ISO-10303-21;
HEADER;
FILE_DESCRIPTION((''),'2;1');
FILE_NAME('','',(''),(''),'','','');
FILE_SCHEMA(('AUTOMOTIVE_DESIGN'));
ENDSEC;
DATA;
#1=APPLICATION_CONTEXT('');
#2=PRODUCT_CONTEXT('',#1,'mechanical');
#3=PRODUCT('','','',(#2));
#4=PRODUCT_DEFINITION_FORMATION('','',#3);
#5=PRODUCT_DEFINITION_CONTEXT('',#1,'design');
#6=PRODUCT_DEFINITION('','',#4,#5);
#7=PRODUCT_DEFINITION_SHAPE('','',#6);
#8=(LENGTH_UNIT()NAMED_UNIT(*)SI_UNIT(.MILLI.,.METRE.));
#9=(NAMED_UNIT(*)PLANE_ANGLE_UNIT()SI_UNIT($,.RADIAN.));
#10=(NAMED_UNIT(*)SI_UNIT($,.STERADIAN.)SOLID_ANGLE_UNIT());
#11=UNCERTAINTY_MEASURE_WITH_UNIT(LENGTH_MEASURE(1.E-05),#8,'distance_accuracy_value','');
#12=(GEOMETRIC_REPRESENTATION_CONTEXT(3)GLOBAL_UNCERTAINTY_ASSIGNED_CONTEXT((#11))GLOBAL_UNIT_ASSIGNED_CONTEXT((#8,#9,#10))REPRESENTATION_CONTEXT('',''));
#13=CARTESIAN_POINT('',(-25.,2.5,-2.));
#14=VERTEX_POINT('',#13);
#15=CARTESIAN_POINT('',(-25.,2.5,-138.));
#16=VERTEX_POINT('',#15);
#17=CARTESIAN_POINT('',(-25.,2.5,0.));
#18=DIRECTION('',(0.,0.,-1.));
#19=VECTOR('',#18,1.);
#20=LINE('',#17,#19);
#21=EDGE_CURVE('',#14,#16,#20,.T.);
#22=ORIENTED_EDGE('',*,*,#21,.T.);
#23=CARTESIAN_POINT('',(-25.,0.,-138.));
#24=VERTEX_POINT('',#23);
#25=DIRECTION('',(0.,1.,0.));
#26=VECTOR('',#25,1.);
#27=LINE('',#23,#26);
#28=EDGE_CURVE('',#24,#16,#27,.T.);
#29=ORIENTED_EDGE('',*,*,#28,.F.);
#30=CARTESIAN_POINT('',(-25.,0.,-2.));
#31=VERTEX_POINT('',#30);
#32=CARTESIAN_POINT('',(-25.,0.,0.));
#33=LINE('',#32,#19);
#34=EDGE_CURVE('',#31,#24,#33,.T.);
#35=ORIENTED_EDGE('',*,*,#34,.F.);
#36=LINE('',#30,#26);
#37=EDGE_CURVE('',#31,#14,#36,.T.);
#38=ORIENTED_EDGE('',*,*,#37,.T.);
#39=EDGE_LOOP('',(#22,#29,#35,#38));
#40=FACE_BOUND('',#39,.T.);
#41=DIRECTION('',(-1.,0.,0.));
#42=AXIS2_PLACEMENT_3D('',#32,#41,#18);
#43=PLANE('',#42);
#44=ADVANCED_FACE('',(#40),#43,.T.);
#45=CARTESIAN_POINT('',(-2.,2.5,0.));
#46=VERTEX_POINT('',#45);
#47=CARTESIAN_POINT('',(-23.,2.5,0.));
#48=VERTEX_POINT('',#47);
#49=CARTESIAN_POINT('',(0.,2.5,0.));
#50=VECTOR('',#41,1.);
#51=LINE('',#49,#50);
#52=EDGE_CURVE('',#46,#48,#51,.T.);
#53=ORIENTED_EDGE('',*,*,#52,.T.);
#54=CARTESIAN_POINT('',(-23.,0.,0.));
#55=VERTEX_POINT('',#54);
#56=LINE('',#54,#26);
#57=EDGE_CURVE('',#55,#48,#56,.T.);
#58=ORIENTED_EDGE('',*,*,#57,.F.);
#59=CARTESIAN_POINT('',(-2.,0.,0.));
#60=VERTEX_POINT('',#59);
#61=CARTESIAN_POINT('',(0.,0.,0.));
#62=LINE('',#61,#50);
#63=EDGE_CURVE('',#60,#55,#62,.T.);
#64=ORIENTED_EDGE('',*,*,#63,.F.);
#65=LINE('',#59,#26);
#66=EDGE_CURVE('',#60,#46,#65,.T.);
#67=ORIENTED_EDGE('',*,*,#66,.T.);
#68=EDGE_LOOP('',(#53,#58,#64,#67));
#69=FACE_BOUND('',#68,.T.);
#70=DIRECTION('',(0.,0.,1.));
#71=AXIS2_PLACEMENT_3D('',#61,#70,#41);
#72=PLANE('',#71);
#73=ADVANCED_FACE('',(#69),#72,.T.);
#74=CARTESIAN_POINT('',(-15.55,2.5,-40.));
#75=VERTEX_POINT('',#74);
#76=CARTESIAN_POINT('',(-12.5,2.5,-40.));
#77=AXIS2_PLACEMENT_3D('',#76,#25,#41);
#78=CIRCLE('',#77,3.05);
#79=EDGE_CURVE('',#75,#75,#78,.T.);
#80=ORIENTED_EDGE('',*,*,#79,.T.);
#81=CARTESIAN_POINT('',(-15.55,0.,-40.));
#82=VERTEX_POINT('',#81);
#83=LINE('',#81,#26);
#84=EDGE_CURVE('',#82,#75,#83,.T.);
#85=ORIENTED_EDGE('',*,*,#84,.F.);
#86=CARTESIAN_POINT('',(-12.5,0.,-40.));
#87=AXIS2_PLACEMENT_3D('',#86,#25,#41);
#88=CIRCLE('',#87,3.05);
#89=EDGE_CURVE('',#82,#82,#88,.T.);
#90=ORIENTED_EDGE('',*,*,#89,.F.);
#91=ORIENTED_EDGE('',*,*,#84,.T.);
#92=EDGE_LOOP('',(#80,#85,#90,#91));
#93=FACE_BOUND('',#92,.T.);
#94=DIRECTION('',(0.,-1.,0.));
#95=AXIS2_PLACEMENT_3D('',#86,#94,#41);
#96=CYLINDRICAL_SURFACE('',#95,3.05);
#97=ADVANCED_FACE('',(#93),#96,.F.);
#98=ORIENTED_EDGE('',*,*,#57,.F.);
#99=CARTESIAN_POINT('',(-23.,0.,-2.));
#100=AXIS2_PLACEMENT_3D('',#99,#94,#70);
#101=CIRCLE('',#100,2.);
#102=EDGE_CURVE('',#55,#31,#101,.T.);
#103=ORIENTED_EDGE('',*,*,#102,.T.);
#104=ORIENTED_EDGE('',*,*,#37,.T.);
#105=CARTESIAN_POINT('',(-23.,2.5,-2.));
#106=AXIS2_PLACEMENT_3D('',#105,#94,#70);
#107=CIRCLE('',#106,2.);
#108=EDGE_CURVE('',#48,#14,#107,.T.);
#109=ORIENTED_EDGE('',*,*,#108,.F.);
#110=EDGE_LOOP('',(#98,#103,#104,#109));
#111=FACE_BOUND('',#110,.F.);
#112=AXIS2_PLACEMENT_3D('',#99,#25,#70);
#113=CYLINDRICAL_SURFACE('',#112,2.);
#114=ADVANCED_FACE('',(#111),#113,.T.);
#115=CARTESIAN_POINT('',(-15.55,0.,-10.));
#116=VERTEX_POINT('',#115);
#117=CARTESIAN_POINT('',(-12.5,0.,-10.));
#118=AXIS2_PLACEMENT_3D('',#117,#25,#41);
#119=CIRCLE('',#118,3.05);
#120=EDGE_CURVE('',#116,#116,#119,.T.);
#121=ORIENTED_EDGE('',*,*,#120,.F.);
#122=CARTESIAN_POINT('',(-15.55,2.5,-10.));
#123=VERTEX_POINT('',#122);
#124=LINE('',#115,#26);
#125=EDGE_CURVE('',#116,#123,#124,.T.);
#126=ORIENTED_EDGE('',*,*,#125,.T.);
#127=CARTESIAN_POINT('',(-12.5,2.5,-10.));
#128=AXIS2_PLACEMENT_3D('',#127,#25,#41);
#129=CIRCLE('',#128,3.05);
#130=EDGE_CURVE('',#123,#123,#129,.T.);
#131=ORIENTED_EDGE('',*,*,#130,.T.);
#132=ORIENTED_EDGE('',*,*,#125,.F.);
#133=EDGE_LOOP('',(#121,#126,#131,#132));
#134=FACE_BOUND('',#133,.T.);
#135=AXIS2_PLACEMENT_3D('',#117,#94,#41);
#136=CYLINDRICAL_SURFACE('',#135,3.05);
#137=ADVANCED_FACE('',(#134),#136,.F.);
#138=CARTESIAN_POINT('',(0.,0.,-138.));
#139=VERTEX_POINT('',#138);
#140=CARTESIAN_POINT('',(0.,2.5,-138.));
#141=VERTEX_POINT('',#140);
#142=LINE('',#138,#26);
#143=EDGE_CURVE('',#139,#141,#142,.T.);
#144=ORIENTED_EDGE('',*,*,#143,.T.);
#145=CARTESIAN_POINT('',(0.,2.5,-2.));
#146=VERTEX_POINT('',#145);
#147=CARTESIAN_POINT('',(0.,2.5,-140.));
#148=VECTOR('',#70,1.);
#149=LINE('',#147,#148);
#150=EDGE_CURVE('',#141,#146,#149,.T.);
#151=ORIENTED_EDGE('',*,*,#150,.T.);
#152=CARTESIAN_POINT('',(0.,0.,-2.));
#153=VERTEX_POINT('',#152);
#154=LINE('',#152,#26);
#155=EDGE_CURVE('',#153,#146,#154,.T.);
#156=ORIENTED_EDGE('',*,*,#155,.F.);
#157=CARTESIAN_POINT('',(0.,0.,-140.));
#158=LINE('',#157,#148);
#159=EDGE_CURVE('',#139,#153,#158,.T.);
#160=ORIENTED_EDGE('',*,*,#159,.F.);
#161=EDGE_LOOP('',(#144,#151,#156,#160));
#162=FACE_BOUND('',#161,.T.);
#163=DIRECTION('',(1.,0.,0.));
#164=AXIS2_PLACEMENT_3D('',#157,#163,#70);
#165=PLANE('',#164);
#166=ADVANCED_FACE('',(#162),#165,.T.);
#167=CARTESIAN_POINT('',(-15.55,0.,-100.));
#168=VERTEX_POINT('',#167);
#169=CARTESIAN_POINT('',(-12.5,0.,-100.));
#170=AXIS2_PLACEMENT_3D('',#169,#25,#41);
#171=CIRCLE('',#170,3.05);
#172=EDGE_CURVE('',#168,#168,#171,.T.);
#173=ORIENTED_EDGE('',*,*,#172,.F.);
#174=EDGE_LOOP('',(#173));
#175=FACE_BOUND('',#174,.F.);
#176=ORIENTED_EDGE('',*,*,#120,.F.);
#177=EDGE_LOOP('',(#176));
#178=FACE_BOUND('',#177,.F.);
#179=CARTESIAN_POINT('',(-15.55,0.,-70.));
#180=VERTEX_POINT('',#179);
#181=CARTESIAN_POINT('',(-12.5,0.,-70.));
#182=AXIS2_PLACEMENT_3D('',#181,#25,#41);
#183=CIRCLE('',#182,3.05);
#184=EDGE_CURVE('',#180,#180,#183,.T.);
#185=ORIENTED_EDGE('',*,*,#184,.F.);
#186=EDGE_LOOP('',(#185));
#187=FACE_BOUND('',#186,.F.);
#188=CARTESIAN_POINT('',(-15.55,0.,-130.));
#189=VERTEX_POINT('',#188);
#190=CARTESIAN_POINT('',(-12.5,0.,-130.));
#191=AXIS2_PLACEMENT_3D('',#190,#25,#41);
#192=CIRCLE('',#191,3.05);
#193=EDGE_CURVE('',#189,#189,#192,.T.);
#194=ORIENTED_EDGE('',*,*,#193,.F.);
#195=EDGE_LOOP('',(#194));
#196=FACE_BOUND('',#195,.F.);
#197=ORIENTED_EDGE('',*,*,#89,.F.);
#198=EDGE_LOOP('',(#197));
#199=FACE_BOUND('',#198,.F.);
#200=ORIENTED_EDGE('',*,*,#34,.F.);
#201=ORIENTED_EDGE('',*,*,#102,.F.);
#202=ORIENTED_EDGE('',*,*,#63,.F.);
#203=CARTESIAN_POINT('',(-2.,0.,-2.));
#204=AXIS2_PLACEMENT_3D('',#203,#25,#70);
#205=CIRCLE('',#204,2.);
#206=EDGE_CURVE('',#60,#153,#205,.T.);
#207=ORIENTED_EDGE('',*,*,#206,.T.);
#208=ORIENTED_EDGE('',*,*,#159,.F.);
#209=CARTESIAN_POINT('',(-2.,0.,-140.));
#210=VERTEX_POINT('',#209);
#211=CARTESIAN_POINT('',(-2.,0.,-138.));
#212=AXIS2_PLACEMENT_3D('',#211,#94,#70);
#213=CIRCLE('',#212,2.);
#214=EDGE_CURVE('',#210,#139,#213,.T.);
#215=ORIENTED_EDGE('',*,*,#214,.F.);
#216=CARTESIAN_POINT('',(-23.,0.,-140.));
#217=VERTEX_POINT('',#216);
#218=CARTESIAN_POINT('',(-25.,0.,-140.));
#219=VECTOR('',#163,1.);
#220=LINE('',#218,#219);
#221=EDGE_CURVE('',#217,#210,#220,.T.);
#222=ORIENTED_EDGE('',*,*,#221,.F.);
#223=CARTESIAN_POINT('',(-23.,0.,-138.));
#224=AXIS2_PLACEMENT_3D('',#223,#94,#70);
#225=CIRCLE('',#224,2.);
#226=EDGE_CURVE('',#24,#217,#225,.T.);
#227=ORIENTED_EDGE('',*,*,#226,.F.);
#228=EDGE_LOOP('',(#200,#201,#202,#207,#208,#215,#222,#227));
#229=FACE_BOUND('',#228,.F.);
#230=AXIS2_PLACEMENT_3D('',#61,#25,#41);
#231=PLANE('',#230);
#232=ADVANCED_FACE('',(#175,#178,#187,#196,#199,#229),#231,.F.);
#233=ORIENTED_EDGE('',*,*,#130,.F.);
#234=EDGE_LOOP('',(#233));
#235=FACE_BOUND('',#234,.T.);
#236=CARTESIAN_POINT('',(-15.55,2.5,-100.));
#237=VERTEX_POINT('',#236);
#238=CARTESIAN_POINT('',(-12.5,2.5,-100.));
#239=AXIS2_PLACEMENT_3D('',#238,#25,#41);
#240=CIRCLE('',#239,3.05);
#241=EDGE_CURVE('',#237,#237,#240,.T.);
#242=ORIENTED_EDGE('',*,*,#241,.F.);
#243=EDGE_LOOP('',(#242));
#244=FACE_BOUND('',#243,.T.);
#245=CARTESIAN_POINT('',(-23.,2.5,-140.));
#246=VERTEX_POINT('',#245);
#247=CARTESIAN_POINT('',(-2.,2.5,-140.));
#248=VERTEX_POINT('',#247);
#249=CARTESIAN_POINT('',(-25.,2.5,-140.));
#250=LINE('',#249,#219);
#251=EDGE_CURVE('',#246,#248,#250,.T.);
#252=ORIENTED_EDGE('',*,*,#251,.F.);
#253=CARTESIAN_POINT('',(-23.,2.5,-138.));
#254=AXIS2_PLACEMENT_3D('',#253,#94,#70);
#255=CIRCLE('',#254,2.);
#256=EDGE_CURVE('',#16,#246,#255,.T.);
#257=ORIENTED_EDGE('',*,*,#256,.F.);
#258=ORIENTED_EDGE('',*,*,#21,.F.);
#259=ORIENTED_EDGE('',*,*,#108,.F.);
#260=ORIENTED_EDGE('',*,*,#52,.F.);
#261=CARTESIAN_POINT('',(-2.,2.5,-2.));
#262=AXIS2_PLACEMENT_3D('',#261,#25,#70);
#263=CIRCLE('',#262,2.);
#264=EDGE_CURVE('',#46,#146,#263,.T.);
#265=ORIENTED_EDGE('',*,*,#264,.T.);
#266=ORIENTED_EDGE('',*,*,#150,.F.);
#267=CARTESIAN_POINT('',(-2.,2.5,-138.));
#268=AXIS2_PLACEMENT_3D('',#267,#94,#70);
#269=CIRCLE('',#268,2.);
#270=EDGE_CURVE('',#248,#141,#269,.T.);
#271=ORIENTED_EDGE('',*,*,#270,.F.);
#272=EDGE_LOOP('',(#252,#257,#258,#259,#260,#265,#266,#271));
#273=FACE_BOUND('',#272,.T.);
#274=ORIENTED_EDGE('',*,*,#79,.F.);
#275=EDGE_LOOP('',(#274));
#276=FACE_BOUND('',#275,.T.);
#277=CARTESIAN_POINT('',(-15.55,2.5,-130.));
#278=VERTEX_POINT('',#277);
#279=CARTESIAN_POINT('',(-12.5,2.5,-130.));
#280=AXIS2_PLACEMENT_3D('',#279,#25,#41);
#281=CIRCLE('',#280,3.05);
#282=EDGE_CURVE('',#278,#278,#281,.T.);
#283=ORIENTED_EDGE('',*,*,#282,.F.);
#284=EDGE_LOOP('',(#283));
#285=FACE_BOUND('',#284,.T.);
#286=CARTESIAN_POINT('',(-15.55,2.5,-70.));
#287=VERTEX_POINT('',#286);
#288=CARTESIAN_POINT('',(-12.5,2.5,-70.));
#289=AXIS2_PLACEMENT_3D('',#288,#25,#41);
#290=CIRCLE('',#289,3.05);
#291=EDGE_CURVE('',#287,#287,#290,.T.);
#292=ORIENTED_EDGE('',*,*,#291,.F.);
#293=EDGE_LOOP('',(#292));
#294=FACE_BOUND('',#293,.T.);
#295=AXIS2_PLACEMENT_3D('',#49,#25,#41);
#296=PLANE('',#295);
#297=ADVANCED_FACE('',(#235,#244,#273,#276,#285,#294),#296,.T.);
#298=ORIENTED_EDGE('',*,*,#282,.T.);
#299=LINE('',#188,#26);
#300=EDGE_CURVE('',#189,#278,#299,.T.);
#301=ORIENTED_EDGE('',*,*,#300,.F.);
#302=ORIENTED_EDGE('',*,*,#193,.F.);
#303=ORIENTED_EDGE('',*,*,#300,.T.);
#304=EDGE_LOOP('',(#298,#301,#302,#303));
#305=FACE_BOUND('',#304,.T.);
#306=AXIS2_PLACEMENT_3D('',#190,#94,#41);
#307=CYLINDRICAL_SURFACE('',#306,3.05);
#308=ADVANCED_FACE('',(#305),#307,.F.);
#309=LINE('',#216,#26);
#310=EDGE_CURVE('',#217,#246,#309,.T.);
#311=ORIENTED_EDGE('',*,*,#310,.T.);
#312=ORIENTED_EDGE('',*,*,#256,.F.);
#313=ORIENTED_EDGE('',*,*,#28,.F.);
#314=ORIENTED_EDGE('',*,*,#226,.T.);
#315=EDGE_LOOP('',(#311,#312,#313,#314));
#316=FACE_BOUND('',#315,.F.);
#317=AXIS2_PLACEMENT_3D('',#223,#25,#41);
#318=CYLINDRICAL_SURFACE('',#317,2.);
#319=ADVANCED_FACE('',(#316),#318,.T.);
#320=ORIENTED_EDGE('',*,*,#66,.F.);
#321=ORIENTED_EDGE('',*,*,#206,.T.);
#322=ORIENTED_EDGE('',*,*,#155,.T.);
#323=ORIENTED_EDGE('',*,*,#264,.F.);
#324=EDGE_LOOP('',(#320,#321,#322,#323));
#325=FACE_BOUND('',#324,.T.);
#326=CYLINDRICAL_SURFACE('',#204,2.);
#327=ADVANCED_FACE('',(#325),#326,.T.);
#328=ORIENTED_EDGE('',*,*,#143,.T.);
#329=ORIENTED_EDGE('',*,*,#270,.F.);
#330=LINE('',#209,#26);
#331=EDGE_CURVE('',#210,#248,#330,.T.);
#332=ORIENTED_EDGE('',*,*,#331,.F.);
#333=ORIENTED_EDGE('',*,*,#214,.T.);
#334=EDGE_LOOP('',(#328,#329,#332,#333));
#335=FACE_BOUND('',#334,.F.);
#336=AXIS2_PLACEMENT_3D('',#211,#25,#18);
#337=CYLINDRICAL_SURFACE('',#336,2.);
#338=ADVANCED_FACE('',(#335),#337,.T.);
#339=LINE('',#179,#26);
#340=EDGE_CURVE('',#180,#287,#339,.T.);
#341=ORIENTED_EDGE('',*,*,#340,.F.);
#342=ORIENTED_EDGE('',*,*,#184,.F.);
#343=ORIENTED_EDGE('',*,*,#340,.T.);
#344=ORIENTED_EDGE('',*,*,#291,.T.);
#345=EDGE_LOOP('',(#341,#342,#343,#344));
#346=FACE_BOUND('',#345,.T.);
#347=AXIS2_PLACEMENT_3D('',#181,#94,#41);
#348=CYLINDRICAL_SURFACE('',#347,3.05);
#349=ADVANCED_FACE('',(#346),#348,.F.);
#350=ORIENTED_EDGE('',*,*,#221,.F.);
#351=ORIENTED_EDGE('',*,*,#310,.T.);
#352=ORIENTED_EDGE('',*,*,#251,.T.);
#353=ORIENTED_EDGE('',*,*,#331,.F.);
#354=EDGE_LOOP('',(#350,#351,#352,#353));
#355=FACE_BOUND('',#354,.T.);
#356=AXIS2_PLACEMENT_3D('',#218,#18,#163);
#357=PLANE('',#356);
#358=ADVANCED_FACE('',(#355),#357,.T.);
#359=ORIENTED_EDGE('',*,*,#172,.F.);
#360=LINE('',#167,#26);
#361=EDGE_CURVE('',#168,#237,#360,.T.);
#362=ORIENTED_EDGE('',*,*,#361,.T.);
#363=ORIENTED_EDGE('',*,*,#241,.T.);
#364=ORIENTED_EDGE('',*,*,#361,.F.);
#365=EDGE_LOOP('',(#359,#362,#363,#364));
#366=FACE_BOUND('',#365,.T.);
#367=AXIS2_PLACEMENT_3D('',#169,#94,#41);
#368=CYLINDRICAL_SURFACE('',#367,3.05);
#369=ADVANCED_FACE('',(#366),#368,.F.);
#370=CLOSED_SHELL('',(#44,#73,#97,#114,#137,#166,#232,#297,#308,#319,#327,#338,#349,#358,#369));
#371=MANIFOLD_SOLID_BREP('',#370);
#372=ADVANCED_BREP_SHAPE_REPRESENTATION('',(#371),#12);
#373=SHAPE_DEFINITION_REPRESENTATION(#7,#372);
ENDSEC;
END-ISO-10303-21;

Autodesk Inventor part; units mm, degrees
ref_plane "YZ Plane" through (0, 0, 0) normal (1, 0, 0) x (0, 1, 0)
ref_plane "XZ Plane" through (0, 0, 0) normal (0, 1, 0) x (-1, 0, 0)
ref_plane "XY Plane" through (0, 0, 0) normal (0, 0, 1) x (1, 0, 0)
sketch "Sketch1" plane through (0, 0, 0) normal (0, 1, 0) x (-1, 0, 0)
  line L0 (0, 0) -> (25, 0)
  line L1 (25, 0) -> (25, -140)
  line L2 (25, -140) -> (0, -140)
  line L3 (0, -140) -> (0, 0)
  circle A0 centre (12.5, -10) radius 3.05
  circle A1 centre (12.5, -70) radius 3.05
  circle A2 centre (12.5, -130) radius 3.05
  line L4 (25, -70) -> (0, -70) construction
  line L5 (12.5, 0) -> (12.5, -140) construction
  circle A3 centre (12.5, -40) radius 3.05
  circle A4 centre (12.5, -100) radius 3.05
  dimension "d0" = 25
  dimension "d1" = 140
  dimension "d2" = 6.1
  dimension "d3" = 6.1
  dimension "d4" = 6.1
  dimension "d5" = 10
  dimension "d6" = 10
  dimension "d7" = 6.1
  dimension "d8" = 6.1
  dimension "d9" = 30
  dimension "d10" = 30
extrude "Extrusion1" add sketch "Sketch1" along normal blind 2.5
fillet "Fillet1" radius 2 4 edges at (0, 1.25, 0) (-25, 1.25, 0) (0, 1.25, -140) (-25, 1.25, -140)
equation "\"BendRadius\" = Thickness"
equation "\"BendReliefWidth\" = Thickness"
equation "\"BendReliefDepth\" = 0.5 * Thickness"
equation "\"CornerReliefSize\" = 4 * Thickness"
equation "\"MinimumRemnant\" = 2 * Thickness"
equation "\"TransitionRadius\" = BendRadius"
equation "\"JacobiRadiusSize\" = BendRadius"
equation "\"GapSize\" = Thickness"
equation "\"Thickness\" = 0.5"
properties part number "Connector"
